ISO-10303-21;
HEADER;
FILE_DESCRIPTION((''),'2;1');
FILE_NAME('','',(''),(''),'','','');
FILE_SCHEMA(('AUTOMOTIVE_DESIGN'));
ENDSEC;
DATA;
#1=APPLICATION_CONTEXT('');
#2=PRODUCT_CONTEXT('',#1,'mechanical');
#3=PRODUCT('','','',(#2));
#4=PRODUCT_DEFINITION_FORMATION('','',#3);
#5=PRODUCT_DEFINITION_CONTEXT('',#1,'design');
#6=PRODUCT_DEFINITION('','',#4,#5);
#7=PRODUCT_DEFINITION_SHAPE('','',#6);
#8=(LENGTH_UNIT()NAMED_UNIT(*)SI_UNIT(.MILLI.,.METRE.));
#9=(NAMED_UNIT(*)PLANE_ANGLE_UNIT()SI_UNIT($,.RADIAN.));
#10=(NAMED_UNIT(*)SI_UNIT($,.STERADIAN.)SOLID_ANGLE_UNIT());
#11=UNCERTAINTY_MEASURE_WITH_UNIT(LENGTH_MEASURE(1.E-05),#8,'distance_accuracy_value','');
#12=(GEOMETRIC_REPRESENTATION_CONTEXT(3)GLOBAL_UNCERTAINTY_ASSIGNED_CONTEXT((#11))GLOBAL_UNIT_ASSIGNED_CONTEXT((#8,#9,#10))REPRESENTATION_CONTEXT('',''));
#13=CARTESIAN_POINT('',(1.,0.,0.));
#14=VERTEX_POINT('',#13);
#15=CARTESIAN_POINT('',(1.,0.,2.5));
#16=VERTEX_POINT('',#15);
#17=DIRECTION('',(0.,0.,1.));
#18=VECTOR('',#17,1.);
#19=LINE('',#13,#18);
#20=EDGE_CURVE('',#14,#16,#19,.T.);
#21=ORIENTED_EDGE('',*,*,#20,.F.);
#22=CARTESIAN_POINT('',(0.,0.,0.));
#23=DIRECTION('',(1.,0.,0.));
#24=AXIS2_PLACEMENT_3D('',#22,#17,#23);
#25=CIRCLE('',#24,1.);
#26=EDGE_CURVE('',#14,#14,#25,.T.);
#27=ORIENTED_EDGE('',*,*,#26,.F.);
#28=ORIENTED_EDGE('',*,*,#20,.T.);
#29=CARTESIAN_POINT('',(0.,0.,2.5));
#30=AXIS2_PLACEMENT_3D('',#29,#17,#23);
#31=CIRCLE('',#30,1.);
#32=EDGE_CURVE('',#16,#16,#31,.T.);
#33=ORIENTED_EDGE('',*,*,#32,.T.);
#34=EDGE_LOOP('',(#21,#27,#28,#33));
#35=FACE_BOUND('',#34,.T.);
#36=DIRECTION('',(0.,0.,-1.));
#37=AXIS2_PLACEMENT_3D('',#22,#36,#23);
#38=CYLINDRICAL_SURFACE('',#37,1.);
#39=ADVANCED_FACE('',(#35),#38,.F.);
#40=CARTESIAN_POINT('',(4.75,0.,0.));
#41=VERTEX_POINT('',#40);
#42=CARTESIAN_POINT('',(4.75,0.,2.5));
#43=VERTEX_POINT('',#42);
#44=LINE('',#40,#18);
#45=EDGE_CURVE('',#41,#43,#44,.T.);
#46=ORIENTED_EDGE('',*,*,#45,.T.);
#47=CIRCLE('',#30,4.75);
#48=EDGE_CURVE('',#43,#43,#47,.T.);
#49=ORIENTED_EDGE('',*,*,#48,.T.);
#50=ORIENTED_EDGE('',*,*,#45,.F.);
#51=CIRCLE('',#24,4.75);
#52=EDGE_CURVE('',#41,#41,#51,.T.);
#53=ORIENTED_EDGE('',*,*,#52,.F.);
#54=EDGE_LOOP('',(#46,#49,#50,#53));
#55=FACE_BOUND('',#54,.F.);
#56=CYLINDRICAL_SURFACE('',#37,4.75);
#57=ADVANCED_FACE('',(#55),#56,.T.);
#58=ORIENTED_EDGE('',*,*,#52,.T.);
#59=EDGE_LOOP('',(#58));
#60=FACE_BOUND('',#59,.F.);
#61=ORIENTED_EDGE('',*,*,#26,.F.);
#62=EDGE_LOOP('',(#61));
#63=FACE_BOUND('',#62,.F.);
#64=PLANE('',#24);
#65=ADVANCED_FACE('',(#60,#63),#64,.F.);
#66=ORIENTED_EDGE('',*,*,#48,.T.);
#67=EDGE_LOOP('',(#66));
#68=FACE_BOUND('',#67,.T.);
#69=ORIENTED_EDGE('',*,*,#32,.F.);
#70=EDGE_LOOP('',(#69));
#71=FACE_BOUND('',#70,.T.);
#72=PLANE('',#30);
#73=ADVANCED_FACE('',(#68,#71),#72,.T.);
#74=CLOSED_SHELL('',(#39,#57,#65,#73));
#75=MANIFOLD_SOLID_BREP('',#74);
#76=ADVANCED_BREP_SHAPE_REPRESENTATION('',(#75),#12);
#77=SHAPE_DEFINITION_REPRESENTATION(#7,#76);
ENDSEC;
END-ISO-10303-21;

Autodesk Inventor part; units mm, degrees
ref_plane "YZ Plane" through (0, 0, 0) normal (1, 0, 0) x (0, 1, 0)
ref_plane "XZ Plane" through (0, 0, 0) normal (0, 1, 0) x (-1, 0, 0)
ref_plane "XY Plane" through (0, 0, 0) normal (0, 0, 1) x (1, 0, 0)
sketch "Sketch1" plane through (0, 0, 0) normal (0, 0, 1) x (1, 0, 0)
  circle A0 centre (0, 0) radius 1 projected
  circle A1 centre (0, 0) radius 3 projected
  circle A2 centre (0, 0) radius 1
  circle A3 centre (0, 0) radius 4.75
  dimension "d0" = 2
  dimension "d1" = 9.5
extrude "Extrusion1" add sketch "Sketch1" along normal blind 2.5 contours A1 | A3
properties part number "cable_shell_1"
